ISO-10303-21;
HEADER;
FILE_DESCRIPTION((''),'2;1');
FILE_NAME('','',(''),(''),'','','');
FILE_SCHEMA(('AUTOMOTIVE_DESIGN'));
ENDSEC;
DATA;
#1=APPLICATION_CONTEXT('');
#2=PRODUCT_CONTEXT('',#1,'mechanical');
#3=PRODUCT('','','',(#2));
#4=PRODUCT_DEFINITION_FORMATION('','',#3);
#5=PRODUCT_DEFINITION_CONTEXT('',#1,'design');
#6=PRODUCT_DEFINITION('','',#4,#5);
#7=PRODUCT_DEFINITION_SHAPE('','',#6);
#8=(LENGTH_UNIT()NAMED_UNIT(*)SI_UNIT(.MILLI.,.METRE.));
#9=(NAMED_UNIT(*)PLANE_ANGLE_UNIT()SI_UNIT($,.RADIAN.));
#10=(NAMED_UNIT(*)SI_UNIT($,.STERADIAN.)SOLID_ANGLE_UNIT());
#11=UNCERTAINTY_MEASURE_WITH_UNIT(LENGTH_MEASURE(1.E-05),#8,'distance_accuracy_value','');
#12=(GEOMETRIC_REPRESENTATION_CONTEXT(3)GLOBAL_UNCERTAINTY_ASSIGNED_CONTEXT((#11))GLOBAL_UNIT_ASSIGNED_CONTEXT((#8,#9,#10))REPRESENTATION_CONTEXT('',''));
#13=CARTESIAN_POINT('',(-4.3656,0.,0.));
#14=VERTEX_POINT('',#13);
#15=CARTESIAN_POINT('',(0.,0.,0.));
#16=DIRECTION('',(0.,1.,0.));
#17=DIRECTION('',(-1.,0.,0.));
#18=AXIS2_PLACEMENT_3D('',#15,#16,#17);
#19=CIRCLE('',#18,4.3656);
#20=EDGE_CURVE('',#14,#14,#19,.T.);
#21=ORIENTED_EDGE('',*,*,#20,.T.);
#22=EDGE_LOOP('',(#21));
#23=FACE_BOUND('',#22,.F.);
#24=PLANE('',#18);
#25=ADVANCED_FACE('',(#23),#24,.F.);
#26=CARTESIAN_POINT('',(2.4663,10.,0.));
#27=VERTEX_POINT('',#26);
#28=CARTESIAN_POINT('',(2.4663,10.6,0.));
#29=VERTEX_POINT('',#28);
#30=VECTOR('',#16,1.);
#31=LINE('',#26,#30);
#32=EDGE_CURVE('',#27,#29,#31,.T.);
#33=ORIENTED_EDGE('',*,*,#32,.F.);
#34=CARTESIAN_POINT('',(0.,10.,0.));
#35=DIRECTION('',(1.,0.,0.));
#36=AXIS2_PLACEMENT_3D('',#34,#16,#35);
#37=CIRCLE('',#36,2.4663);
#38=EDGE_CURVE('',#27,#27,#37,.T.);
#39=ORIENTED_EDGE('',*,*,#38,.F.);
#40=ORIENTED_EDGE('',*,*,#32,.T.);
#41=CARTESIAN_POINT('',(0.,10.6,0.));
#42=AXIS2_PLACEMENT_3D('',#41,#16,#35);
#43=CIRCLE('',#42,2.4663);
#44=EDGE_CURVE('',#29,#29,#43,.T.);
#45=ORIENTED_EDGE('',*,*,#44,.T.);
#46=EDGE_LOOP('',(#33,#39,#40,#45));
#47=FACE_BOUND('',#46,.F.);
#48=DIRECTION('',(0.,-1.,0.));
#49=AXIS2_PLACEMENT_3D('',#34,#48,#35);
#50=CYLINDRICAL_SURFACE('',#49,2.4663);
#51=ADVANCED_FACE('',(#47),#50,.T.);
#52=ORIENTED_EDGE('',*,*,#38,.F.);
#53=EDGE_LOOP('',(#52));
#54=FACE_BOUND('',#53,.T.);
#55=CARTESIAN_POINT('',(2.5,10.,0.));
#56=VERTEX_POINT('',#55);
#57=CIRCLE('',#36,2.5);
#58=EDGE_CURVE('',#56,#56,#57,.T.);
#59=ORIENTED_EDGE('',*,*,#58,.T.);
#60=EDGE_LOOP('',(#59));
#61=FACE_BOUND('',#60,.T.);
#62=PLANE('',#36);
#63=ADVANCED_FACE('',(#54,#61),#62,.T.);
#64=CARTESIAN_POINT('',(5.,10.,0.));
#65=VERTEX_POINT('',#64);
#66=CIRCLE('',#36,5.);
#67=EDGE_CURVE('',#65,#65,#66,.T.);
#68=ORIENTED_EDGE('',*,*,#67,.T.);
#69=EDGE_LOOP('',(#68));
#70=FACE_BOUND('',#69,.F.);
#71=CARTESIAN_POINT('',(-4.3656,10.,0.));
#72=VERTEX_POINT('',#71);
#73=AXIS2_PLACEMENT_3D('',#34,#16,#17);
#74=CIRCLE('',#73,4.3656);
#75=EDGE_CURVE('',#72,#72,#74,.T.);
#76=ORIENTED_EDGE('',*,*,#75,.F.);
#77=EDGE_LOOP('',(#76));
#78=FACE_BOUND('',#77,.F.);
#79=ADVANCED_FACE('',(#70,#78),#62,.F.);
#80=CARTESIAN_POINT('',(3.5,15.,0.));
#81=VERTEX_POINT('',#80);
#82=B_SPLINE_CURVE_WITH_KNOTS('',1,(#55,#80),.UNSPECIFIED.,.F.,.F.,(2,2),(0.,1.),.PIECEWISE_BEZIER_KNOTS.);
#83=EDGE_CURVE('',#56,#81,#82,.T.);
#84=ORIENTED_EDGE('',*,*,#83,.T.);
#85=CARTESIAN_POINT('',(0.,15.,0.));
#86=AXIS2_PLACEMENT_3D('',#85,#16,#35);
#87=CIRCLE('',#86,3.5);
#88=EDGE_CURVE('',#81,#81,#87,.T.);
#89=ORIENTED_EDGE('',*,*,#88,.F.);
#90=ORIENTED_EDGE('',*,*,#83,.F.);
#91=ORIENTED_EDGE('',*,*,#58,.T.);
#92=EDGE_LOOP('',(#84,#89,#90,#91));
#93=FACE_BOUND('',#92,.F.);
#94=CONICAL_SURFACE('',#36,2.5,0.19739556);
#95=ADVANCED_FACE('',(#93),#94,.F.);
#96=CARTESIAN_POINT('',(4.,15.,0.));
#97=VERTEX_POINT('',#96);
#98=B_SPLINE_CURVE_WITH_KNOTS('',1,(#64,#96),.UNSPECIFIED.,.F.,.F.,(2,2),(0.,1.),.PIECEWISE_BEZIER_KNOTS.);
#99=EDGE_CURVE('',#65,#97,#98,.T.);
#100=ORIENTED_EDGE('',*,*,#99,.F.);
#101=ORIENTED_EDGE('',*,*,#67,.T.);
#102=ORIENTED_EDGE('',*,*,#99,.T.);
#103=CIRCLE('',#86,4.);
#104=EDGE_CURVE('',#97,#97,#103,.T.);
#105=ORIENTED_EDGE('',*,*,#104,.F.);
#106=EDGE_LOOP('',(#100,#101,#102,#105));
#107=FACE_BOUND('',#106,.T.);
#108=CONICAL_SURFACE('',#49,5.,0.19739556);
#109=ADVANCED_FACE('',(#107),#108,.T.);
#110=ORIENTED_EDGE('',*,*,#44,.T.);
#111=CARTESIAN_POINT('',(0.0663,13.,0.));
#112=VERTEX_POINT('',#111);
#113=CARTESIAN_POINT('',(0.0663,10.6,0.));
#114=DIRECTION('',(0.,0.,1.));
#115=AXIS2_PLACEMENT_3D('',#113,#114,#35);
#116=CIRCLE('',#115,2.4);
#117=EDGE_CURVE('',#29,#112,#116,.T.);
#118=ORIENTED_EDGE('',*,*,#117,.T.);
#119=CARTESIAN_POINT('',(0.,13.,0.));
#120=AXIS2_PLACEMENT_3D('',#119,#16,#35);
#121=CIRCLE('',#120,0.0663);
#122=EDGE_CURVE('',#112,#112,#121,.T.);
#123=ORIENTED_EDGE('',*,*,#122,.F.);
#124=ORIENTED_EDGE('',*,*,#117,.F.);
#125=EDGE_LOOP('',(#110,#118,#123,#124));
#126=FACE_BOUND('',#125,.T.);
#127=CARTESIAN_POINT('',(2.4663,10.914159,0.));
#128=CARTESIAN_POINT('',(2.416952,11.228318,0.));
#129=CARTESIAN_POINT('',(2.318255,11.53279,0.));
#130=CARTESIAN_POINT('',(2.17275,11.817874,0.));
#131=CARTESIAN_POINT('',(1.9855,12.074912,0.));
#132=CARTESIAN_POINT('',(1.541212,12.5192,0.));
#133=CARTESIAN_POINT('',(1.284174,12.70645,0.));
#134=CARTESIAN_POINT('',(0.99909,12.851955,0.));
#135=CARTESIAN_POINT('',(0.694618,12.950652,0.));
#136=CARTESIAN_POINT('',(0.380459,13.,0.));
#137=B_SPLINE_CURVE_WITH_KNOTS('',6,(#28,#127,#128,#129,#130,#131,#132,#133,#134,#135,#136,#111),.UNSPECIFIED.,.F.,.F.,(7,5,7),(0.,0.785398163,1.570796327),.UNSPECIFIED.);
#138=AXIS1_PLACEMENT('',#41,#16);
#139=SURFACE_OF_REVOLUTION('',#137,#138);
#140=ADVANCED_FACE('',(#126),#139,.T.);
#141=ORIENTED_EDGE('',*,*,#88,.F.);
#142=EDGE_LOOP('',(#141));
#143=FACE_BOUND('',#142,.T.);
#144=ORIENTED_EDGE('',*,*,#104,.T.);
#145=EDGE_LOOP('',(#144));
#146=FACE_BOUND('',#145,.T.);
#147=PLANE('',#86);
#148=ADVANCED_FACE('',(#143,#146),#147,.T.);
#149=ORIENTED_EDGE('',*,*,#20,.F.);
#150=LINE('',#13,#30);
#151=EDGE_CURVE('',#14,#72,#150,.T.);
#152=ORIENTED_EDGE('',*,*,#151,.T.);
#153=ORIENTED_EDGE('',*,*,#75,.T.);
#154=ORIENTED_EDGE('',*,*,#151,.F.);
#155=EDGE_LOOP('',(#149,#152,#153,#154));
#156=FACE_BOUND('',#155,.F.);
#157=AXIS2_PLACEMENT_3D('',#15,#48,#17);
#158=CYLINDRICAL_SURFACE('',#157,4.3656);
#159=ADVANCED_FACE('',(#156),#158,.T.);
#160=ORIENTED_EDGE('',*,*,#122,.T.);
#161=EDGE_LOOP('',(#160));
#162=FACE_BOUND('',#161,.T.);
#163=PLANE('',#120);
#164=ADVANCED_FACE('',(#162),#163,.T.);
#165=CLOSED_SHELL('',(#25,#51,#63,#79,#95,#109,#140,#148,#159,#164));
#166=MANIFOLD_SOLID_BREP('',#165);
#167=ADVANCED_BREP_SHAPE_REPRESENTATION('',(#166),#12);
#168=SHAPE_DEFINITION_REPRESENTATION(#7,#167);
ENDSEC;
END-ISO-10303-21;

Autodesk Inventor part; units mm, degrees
ref_plane "YZ Plane" through (0, 0, 0) normal (1, 0, 0) x (0, 1, 0)
sketch "Sketch1" plane through (0, 0, 0) normal (0, 1, 0) x (-1, 0, 0)
  circle A0 centre (0, 0) radius 4.3656
  dimension "d0" = 8.7312
extrude "Extrusion1" add sketch "Sketch1" along normal blind 10
thread "Thread1" size "M9x1.25" class "6g" standard "ANSI Metric M Profile" full length
sketch "Sketch2" plane through (0, 10, 0) normal (0, 1, 0) x (1, 0, 0)
  circle A0 centre (0, 0) radius 5
  dimension "d5" = 10
ref_plane "Work Plane1" through (0, 15, 0) normal (0, 1, 0) x (1, 0, 0)
sketch "Sketch3" plane through (0, 15, 0) normal (0, 1, 0) x (1, 0, 0)
  circle A0 centre (0, 0) radius 4
  dimension "d7" = 8
loft "Loft1" add profiles "Sketch2", "Sketch3"
sketch "Sketch4" plane through (0, 15, 0) normal (0, 1, 0) x (1, 0, 0)
  circle A0 centre (0, 0) radius 3.5
  dimension "d12" = 7
ref_plane "Work Plane2" through (0, 10, 0) normal (0, 1, 0) x (1, 0, 0)
sketch "Sketch5" plane through (0, 10, 0) normal (0, 1, 0) x (1, 0, 0)
  circle A0 centre (0, 0) radius 2.5
  dimension "d14" = 5
loft "Loft2" cut profiles "Sketch5", "Sketch4"
sketch "Sketch6" plane through (0, 10, 0) normal (0, 1, 0) x (1, 0, 0)
  circle A0 centre (0, 0) radius 2.4663
extrude "Extrusion2" add sketch "Sketch6" along normal blind 3
fillet "Fillet1" radius 2.4 1 edges at (-2.4663, 13, 0)
properties part number "LED Holder"
